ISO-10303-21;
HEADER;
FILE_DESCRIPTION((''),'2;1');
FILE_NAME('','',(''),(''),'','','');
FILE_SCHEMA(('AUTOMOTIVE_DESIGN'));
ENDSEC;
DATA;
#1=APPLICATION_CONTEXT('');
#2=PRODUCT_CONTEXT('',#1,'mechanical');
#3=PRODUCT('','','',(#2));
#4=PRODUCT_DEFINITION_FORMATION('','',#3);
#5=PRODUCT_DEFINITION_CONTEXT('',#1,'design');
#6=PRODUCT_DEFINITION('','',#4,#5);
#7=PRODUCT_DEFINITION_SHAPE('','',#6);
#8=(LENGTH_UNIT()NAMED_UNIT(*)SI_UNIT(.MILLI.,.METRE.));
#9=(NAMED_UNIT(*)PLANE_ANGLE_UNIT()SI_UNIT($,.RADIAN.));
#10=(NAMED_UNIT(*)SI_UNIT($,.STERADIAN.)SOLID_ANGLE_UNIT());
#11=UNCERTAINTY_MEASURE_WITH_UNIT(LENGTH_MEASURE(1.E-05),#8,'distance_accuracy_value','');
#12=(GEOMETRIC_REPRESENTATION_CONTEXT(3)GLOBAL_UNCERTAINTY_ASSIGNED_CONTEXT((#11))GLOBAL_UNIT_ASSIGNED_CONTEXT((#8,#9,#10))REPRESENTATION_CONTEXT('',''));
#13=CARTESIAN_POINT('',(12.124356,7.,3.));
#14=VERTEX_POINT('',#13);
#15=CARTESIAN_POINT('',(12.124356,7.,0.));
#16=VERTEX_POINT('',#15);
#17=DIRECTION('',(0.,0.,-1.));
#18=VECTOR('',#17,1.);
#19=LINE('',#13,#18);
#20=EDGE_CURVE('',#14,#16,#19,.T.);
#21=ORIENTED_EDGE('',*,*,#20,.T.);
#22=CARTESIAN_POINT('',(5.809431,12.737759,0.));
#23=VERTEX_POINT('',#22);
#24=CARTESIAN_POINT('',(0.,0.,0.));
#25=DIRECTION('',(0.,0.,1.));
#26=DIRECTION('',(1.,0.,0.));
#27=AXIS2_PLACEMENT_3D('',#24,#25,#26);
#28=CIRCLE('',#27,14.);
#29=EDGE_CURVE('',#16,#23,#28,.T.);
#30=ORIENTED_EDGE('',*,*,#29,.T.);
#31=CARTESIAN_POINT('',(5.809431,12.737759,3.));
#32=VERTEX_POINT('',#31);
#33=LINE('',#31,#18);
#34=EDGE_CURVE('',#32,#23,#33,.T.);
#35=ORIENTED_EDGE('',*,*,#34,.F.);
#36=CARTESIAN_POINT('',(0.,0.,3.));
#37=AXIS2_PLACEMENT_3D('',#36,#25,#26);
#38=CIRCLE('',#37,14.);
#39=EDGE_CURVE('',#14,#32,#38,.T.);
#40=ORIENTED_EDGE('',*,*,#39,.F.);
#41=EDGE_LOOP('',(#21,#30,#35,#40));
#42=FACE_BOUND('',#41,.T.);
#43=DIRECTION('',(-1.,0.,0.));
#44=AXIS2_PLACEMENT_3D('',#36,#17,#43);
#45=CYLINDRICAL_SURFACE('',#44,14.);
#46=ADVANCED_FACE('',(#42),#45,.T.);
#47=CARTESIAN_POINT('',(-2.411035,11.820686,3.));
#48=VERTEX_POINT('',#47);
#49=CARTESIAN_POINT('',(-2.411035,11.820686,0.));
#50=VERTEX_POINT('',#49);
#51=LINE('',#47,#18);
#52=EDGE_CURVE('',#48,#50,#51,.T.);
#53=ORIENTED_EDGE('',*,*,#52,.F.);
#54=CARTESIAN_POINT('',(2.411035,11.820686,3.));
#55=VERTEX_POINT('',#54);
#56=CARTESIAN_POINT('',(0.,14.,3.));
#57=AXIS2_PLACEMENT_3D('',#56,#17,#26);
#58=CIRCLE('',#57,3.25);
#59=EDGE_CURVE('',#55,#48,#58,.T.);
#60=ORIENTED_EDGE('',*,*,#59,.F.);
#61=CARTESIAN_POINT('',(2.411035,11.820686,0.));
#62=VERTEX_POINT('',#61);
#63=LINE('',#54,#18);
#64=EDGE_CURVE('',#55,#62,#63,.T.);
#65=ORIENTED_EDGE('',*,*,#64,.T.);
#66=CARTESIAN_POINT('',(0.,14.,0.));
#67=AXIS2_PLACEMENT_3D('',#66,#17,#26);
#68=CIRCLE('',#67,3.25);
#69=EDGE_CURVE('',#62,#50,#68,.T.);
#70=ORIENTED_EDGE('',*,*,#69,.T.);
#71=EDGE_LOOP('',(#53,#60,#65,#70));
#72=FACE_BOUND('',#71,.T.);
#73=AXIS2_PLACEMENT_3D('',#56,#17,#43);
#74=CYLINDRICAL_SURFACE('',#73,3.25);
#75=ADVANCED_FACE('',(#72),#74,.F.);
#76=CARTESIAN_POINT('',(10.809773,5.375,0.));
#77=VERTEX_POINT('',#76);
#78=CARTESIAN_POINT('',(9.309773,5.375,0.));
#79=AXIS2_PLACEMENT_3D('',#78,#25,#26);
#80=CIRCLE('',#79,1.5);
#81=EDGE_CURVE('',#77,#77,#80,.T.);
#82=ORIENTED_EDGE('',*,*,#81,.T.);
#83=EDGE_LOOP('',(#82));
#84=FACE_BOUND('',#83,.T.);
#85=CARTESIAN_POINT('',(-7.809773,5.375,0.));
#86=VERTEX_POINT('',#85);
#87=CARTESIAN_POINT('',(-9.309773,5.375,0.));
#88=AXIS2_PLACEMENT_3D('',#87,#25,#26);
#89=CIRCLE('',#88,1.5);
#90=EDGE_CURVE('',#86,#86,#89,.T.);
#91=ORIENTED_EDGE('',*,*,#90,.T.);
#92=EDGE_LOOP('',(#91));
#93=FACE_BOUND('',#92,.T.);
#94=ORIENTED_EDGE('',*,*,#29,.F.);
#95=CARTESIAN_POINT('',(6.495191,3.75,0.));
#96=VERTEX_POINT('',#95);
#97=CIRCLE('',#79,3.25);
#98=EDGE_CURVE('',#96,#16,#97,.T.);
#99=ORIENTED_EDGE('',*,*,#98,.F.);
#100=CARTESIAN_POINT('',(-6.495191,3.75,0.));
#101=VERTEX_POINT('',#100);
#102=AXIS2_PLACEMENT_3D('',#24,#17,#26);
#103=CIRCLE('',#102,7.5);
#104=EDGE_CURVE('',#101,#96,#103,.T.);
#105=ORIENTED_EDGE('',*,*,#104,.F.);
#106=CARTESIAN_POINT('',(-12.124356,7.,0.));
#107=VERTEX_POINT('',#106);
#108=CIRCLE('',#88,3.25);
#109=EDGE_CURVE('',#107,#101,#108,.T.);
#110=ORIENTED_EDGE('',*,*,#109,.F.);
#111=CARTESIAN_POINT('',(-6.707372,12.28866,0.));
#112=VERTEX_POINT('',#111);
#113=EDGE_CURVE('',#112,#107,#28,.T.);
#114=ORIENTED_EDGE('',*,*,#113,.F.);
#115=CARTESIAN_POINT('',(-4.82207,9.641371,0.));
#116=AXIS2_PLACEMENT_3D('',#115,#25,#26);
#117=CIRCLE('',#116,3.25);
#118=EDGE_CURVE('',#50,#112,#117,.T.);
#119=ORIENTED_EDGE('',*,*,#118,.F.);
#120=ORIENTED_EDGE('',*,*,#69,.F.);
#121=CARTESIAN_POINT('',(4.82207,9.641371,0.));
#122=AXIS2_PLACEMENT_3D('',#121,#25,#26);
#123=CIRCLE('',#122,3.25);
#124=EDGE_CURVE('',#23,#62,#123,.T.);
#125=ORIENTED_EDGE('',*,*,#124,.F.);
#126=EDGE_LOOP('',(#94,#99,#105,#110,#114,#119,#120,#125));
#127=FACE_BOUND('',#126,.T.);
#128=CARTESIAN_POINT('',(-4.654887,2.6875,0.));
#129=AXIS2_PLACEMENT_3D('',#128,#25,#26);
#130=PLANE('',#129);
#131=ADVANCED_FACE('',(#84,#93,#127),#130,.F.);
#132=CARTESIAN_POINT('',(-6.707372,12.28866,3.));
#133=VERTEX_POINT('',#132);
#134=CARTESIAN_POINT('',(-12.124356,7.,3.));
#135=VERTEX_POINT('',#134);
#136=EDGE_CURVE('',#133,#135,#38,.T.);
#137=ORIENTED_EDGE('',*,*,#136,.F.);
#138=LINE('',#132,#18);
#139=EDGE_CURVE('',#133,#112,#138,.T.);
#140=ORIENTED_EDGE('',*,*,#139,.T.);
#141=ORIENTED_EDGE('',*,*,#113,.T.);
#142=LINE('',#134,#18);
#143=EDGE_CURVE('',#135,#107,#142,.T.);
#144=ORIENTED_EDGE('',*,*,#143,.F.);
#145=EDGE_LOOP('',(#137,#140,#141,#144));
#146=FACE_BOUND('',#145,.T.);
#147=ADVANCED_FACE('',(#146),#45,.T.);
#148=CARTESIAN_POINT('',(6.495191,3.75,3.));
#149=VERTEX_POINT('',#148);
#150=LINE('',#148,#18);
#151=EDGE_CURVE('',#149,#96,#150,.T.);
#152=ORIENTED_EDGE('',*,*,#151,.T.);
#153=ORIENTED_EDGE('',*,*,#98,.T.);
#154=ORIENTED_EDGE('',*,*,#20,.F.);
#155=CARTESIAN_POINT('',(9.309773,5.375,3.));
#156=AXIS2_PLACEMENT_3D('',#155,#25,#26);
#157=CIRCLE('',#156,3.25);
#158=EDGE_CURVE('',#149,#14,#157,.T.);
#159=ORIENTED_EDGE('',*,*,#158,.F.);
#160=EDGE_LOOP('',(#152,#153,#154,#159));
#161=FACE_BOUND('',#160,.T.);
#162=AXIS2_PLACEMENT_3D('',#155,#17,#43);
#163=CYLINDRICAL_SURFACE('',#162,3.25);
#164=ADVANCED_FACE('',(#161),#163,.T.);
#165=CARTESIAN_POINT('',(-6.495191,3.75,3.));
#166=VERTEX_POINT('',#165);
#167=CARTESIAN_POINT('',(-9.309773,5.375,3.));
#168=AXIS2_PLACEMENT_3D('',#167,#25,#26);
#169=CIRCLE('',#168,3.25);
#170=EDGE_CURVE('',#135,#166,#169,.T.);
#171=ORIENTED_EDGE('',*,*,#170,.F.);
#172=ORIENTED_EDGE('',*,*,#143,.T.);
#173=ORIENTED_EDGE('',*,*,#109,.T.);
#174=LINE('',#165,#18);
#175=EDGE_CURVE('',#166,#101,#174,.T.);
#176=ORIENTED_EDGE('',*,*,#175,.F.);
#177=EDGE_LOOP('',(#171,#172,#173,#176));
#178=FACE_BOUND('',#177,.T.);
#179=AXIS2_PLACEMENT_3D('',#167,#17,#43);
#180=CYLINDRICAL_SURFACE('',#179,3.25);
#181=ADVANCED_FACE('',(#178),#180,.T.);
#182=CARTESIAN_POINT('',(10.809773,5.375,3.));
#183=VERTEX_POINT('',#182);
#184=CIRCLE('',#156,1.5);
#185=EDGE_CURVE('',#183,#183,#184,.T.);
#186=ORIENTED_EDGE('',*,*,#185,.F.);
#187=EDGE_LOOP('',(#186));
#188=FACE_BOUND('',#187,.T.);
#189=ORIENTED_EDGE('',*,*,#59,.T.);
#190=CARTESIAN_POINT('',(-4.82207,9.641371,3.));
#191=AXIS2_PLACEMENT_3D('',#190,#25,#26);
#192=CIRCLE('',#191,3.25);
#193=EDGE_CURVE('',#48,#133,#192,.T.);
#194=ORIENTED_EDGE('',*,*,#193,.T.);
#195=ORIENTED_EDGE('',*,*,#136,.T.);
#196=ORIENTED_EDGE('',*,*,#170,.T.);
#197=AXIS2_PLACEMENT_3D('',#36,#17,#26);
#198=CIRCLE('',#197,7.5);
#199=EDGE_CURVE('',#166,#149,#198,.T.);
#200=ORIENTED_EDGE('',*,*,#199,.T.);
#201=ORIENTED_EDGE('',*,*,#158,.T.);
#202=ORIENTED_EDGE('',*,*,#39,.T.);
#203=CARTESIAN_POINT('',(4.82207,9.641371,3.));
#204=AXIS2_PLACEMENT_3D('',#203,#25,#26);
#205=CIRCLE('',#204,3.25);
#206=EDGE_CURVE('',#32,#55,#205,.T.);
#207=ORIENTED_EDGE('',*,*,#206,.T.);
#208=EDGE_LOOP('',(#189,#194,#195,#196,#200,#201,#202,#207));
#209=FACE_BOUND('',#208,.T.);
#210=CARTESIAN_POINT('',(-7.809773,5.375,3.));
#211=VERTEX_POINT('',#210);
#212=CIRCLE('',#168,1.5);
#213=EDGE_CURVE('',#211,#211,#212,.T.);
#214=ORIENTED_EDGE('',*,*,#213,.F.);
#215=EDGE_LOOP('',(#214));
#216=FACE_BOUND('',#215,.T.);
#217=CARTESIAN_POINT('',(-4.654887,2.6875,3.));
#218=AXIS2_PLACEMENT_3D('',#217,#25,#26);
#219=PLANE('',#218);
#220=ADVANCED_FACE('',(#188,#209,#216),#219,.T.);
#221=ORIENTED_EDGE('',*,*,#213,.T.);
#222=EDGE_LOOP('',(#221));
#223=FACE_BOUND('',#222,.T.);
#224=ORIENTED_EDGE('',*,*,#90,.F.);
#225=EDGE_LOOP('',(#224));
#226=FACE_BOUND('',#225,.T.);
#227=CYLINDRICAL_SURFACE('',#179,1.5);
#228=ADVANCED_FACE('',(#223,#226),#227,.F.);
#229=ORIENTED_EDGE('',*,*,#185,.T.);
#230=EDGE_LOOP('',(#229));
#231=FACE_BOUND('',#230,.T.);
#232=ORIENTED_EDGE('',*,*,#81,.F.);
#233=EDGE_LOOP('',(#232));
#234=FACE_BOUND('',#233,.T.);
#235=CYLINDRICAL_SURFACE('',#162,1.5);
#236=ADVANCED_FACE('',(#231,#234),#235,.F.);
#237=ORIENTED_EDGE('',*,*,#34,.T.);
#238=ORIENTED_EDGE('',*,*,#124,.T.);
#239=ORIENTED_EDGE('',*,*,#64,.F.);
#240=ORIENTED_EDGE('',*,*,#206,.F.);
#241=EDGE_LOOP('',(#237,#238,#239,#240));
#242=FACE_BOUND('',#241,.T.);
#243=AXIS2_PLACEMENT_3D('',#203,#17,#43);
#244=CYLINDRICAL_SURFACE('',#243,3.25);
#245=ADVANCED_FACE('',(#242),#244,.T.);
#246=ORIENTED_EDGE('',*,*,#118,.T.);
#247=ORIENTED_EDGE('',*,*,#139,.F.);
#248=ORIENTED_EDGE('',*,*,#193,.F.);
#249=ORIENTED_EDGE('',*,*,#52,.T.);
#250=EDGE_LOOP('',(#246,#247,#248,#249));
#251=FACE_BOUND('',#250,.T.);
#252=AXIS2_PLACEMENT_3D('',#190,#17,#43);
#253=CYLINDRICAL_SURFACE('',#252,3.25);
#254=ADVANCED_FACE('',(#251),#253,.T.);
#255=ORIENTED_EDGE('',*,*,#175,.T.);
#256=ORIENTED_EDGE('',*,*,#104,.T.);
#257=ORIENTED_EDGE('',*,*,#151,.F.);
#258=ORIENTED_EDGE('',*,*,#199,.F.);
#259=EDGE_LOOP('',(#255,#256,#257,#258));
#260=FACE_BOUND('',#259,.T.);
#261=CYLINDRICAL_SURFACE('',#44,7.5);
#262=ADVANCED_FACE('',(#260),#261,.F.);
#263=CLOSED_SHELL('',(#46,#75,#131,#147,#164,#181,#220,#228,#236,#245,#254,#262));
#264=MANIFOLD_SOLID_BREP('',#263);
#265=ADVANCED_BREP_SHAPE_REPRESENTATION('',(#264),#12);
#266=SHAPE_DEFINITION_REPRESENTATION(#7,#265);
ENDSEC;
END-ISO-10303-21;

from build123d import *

# Parameters (mm, degrees)
ESQUISSE1_R        = 1.5
BOSS_EXTRU_2_DEPTH = 3


with BuildPart() as part:
    # Esquisse1 → Boss.-Extru.2 (new body)
    with BuildSketch(Plane.XY):
        with BuildLine():
            ThreePointArc((-2.411034891, 11.820685714), (0, 10.75), (2.411034891, 11.820685714))
            ThreePointArc((2.411034891, 11.820685714), (3.975330286, 12.779130538), (5.80943088, 12.737759334))
            ThreePointArc((5.80943088, 12.737759334), (9.414650572, 10.36167721), (12.124355653, 7))
            ThreePointArc((12.124355653, 7), (10.934773091, 2.560417438), (6.495190528, 3.75))
            ThreePointArc((6.495190528, 3.75), (0, 7.5), (-6.495190528, 3.75))
            ThreePointArc((-6.495190528, 3.75), (-10.934773091, 2.560417438), (-12.124355653, 7))
            ThreePointArc((-12.124355653, 7), (-9.780131311, 10.017436376), (-6.707371512, 12.288660114))
            ThreePointArc((-6.707371512, 12.288660114), (-4.47014813, 12.872261577), (-2.411034891, 11.820685714))
        make_face()
        with Locations((9.309773091, 5.375)):
            Circle(ESQUISSE1_R, mode=Mode.SUBTRACT)
        with Locations((-9.309773091, 5.375)):
            Circle(ESQUISSE1_R, mode=Mode.SUBTRACT)
    extrude(amount=BOSS_EXTRU_2_DEPTH)


solid = part.part
